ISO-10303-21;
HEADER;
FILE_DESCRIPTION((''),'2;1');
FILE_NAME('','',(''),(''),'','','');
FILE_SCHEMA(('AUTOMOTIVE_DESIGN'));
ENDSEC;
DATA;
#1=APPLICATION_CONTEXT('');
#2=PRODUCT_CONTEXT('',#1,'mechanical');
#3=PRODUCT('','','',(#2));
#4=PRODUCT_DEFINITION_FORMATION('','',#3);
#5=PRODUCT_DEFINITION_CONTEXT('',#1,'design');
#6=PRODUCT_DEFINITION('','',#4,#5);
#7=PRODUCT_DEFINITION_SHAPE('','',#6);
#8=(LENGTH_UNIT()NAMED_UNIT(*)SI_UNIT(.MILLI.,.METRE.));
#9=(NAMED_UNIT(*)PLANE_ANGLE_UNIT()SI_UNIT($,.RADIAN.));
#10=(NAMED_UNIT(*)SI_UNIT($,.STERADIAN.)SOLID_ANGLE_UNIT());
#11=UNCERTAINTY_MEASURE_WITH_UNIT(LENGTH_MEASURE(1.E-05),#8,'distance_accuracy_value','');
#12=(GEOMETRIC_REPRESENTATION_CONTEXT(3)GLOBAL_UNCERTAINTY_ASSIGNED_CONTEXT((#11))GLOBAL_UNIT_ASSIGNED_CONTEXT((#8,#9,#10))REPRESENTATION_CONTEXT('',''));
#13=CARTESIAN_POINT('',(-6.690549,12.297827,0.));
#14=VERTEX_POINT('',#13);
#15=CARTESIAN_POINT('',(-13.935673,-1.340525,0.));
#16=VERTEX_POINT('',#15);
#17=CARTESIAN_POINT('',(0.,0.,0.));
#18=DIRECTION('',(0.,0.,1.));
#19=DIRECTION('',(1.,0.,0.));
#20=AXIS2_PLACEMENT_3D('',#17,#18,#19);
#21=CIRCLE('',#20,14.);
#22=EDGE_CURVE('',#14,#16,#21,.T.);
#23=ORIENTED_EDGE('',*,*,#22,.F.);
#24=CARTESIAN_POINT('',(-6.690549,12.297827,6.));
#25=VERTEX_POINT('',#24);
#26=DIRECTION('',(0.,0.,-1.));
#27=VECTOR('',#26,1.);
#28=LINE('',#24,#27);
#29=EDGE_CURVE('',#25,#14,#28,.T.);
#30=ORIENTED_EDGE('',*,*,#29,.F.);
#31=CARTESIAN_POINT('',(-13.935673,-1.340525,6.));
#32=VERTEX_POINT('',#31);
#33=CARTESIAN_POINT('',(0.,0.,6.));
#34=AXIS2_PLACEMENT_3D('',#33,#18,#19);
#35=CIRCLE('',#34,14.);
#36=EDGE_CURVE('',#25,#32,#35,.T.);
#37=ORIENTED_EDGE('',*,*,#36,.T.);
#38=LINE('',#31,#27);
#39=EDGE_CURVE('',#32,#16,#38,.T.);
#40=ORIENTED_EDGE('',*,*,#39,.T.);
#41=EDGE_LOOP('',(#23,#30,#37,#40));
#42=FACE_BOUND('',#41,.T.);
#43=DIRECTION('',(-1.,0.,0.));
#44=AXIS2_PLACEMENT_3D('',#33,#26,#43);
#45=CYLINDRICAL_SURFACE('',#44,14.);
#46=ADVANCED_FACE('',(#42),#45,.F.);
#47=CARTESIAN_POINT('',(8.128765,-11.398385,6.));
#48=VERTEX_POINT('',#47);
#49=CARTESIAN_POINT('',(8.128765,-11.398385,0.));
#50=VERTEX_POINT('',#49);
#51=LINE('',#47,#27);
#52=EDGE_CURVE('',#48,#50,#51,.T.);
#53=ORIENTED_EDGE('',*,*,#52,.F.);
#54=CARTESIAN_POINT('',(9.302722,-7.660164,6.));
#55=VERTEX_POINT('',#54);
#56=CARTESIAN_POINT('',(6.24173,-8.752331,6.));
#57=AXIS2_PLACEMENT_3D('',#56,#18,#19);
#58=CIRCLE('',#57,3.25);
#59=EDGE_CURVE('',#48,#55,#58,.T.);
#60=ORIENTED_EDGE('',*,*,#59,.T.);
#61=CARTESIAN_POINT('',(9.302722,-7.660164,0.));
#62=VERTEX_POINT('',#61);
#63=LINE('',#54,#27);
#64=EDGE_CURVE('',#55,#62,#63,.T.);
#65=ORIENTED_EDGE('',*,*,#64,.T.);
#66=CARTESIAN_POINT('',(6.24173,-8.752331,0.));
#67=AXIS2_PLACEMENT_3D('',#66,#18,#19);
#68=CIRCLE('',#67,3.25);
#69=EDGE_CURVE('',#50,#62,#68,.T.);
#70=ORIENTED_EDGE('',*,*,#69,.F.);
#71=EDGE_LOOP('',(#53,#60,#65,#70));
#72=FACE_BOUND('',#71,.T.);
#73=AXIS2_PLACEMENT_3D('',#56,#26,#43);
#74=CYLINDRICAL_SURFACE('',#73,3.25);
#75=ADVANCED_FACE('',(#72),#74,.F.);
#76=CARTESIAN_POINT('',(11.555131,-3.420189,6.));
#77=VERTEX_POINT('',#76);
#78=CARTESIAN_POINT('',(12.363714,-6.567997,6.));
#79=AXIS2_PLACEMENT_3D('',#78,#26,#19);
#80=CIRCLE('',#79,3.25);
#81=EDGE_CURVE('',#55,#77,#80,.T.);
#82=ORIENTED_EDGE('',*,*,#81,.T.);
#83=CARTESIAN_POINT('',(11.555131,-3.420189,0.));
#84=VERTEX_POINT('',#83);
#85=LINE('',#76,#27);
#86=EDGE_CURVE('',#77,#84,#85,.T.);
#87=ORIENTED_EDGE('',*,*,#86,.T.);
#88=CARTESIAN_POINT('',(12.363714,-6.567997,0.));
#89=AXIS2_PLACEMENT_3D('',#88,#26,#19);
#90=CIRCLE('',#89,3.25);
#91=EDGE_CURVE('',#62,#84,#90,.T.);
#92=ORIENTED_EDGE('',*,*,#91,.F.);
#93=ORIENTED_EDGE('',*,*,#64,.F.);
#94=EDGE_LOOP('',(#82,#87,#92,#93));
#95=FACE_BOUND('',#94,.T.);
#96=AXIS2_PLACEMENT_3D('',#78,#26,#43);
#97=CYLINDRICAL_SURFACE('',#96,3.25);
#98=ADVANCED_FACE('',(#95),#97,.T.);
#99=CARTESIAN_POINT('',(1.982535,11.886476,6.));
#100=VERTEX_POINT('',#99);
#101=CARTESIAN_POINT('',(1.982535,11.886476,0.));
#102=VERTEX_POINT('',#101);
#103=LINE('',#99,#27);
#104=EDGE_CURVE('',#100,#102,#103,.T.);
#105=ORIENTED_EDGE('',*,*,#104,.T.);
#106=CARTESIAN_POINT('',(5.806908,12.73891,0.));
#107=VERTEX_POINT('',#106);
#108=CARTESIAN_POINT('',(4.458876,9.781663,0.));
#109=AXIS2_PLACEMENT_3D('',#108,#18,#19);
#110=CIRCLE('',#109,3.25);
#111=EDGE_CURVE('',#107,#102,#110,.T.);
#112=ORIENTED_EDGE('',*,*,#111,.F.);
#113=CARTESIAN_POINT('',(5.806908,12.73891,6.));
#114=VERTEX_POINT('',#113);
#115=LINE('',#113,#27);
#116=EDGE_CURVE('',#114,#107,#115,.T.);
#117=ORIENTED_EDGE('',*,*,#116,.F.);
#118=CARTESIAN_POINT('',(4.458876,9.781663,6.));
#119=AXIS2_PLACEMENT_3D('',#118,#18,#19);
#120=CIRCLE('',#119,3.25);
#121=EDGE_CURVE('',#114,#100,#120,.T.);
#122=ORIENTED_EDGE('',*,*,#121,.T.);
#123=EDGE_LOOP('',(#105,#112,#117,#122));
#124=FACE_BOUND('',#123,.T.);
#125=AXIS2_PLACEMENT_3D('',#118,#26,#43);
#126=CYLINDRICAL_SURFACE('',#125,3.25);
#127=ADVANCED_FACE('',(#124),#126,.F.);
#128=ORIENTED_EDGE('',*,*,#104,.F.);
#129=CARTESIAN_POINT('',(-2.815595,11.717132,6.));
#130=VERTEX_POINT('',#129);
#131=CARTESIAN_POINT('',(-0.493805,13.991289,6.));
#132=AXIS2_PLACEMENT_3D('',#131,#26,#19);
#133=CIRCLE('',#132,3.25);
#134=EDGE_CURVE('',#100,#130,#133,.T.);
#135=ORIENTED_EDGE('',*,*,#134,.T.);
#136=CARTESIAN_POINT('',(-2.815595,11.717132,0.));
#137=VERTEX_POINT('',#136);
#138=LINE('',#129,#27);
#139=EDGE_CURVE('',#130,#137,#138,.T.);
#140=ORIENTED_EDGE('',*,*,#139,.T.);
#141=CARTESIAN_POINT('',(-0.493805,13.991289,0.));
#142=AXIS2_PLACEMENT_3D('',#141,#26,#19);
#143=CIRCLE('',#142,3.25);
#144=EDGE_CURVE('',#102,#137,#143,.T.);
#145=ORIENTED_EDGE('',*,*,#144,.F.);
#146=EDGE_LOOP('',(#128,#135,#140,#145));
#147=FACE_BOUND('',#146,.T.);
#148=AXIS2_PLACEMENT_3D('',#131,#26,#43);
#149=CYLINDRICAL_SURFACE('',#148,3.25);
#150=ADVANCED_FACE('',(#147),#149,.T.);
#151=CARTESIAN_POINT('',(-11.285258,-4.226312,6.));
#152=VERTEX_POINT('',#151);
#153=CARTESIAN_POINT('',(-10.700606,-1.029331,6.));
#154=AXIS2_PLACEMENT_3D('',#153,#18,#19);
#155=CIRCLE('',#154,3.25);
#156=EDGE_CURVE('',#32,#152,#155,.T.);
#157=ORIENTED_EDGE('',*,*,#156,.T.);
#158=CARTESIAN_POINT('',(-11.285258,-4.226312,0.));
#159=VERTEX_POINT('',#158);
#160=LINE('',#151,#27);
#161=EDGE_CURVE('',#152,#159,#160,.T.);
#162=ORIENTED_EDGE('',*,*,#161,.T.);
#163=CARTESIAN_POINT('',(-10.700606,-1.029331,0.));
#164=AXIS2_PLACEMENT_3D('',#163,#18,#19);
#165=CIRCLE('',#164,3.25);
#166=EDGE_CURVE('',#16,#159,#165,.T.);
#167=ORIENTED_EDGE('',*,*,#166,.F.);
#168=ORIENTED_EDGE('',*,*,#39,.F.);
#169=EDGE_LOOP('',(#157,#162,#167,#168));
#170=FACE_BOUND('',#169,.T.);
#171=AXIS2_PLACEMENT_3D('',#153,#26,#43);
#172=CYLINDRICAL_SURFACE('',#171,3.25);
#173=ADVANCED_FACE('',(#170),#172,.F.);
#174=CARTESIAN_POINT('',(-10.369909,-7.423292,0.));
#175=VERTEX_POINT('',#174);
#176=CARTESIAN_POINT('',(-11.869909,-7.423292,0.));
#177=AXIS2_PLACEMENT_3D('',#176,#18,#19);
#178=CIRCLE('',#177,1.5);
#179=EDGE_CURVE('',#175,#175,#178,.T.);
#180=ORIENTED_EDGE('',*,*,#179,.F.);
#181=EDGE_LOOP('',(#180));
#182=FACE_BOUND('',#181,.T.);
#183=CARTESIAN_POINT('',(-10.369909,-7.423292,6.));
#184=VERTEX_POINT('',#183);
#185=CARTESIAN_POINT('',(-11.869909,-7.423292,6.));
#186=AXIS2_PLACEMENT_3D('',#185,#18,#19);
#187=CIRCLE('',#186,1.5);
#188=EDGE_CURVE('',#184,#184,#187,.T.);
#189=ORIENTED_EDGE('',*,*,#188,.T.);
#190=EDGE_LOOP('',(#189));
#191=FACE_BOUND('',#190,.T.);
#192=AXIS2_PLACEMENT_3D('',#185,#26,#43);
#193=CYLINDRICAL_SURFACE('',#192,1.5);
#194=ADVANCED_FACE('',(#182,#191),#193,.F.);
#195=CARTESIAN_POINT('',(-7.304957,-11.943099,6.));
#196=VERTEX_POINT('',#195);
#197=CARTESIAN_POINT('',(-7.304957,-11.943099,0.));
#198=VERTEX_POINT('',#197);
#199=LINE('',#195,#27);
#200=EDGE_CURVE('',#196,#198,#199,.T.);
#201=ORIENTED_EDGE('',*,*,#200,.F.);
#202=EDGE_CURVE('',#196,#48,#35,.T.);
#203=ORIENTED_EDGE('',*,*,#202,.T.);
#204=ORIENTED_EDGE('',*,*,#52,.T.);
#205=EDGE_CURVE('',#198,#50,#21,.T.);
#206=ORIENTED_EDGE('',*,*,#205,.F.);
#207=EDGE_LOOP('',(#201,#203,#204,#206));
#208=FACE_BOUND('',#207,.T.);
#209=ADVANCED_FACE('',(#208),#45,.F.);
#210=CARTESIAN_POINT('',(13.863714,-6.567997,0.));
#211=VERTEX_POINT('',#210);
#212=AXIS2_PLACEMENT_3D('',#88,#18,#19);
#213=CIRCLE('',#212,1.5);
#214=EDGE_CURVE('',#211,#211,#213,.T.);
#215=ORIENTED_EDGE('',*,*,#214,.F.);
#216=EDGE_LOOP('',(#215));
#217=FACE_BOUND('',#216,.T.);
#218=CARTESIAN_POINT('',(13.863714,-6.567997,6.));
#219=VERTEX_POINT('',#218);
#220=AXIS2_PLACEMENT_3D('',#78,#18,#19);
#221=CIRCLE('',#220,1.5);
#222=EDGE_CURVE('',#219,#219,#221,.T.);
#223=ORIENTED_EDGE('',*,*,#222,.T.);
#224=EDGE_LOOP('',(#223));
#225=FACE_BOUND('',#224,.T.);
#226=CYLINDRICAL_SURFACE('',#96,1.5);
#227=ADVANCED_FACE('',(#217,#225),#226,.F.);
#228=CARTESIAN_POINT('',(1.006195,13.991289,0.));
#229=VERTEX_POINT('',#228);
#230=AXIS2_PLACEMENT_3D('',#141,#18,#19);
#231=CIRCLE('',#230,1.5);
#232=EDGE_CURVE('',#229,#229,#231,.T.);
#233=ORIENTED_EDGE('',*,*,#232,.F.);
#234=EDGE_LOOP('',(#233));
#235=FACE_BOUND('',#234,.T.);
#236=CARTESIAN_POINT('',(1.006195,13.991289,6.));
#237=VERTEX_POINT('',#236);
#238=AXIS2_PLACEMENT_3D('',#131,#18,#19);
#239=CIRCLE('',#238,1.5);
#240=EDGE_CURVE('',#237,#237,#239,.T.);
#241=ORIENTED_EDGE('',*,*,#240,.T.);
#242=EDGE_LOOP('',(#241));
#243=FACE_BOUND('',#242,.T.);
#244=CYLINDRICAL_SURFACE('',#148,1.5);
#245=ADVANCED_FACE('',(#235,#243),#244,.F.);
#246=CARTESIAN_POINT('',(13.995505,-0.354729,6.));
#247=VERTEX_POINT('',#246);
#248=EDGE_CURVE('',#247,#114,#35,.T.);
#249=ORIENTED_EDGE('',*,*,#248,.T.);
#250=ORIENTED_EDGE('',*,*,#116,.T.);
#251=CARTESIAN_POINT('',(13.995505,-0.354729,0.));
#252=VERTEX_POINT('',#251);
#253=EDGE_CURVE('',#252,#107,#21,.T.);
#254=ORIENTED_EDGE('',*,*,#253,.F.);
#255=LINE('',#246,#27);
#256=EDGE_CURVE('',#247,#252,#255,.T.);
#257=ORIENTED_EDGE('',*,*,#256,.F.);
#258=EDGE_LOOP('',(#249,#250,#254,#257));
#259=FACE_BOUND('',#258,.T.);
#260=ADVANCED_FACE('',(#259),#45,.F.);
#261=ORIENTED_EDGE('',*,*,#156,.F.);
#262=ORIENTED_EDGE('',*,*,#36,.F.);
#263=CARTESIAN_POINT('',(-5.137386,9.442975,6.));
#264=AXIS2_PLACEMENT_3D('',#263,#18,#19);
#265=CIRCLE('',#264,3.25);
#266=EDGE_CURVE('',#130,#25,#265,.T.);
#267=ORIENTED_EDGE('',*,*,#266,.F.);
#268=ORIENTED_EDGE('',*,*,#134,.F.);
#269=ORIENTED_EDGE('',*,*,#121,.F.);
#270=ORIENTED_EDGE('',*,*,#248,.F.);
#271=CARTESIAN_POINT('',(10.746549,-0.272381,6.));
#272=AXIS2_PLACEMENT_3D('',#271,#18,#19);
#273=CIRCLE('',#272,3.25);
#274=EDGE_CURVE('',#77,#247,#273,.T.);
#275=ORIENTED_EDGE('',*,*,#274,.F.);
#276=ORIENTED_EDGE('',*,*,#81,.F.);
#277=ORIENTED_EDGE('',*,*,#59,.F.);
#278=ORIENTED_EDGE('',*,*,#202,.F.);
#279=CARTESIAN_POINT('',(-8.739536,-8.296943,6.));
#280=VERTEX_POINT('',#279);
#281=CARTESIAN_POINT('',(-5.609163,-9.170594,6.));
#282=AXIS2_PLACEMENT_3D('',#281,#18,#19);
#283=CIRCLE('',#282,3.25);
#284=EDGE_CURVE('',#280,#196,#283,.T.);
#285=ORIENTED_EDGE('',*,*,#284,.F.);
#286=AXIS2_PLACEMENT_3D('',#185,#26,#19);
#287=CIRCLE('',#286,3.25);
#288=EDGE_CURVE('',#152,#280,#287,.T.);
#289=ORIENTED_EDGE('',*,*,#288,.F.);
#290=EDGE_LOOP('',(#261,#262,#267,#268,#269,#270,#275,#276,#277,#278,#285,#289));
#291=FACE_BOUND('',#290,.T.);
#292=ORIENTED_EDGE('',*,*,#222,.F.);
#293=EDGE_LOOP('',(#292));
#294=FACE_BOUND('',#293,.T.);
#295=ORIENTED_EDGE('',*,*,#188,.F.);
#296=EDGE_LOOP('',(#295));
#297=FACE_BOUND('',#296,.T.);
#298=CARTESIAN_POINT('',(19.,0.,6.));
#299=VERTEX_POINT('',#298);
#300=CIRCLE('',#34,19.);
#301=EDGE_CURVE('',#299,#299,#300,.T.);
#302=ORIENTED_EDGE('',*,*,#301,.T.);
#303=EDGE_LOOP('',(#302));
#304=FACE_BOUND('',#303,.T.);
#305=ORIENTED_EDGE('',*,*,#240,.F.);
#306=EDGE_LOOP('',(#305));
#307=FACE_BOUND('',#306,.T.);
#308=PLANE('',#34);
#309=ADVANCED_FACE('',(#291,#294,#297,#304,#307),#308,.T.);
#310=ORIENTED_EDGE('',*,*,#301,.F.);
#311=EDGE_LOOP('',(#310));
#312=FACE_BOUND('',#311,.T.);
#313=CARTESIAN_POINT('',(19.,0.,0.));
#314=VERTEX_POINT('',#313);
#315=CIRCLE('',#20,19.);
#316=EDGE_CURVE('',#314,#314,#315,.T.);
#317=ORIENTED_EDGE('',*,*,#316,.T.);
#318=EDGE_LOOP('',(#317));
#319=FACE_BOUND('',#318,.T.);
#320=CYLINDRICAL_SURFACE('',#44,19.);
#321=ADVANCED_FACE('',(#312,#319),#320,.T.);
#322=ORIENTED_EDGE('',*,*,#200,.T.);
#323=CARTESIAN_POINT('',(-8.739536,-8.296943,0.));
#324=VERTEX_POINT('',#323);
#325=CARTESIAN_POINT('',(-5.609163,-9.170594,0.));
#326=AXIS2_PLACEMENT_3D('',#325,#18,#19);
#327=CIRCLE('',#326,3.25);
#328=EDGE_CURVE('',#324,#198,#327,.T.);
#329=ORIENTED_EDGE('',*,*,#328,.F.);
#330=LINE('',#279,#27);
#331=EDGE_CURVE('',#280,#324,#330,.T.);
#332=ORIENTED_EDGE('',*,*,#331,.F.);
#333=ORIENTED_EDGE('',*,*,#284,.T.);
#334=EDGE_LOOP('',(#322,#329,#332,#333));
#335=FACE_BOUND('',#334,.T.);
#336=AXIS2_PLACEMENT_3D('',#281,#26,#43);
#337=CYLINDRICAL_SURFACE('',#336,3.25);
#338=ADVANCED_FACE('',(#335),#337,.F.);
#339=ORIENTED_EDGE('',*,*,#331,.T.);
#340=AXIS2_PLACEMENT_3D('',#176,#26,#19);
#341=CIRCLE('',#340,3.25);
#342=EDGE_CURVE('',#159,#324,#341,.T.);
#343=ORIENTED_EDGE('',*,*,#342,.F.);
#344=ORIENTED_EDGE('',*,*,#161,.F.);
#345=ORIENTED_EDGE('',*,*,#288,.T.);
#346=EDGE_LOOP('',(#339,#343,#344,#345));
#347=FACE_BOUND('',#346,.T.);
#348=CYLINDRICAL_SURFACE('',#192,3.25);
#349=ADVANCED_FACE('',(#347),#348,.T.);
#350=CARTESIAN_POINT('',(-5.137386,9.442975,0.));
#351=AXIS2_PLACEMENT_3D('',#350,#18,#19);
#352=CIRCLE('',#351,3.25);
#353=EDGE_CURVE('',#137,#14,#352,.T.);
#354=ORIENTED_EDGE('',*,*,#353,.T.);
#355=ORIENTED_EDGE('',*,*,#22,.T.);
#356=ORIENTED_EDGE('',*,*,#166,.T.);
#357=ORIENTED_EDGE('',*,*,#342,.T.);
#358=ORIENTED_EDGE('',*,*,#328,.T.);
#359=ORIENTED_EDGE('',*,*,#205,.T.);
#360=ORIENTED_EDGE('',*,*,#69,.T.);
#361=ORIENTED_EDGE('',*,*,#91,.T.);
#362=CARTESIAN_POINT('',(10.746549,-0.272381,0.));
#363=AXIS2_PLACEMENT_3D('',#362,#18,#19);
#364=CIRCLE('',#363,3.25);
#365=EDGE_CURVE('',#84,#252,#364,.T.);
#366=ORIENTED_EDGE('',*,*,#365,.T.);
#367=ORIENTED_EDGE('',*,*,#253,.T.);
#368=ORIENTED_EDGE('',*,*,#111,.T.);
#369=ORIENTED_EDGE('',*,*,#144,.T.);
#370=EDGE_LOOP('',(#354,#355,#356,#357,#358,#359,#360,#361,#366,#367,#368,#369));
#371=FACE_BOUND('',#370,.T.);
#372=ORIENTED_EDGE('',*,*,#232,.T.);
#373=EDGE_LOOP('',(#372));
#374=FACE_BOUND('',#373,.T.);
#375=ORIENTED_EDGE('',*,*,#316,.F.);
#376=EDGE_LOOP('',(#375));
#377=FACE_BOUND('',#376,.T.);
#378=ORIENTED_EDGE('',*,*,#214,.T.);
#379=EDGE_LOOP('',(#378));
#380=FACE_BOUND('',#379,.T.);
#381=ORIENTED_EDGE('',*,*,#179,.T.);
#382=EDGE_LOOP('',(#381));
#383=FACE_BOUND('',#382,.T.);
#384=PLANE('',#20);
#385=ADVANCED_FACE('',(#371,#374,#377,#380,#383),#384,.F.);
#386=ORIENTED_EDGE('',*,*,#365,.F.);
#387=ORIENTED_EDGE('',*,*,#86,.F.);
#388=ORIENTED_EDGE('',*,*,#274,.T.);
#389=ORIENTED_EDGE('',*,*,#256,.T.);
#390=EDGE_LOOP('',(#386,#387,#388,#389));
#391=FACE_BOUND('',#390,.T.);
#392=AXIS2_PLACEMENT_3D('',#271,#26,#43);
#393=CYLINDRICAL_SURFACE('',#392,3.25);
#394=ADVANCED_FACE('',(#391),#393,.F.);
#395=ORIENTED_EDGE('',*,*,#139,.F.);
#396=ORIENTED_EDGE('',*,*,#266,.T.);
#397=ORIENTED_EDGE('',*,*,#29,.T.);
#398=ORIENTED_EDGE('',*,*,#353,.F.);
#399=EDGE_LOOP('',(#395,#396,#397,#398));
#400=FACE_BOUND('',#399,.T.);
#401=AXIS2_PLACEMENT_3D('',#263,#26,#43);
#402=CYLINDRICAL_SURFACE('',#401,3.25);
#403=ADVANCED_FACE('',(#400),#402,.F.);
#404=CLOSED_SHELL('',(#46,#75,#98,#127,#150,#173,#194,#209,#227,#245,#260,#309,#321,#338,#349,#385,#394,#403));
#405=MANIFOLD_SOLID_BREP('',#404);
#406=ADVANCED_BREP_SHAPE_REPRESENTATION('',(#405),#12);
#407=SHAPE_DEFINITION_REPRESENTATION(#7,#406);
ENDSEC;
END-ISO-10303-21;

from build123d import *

# Parameters (mm, degrees)
ESQUISSE1_R        = 19
ESQUISSE1_R_2      = 1.5
BOSS_EXTRU_2_DEPTH = 6


with BuildPart() as part:
    # Esquisse1 → Boss.-Extru.2 (new body)
    with BuildSketch(Plane.XY):
        Circle(ESQUISSE1_R)
        with Locations((-0.493805045, 13.991288596)):
            Circle(ESQUISSE1_R_2, mode=Mode.SUBTRACT)
        with Locations((12.363713879, -6.567996584)):
            Circle(ESQUISSE1_R_2, mode=Mode.SUBTRACT)
        with Locations((-11.869908833, -7.423292012)):
            Circle(ESQUISSE1_R_2, mode=Mode.SUBTRACT)
        with BuildLine():
            ThreePointArc((-2.815595301, 11.717131607), (-0.379171731, 10.743310886), (1.982535482, 11.886475637))
            ThreePointArc((1.982535482, 11.886475637), (3.751818189, 12.953817976), (5.806908291, 12.738909534))
            ThreePointArc((5.806908291, 12.738909534), (11.869908833, 7.423292012), (13.995505264, -0.354728625))
            ThreePointArc((13.995505264, -0.354728625), (13.289218046, -2.296567787), (11.555131282, -3.420188746))
            ThreePointArc((11.555131282, -3.420188746), (9.493566014, -5.043283091), (9.302722122, -7.66016391))
            ThreePointArc((9.302722122, -7.66016391), (9.342426349, -9.72607885), (8.128765127, -11.398384864))
            ThreePointArc((8.128765127, -11.398384864), (0.493805045, -13.991288596), (-7.304956633, -11.943098785))
            ThreePointArc((-7.304956633, -11.943098785), (-8.633495068, -10.360516531), (-8.739535981, -8.296942861))
            ThreePointArc((-8.739535981, -8.296942861), (-9.114394283, -5.700027795), (-11.285257604, -4.226311727))
            ThreePointArc((-11.285257604, -4.226311727), (-13.094244538, -3.227739126), (-13.935673418, -1.34052467))
            ThreePointArc((-13.935673418, -1.34052467), (-12.363713879, 6.567996584), (-6.690548632, 12.29782741))
            ThreePointArc((-6.690548632, 12.29782741), (-4.655722978, 12.657084318), (-2.815595301, 11.717131607))
        make_face(mode=Mode.SUBTRACT)
    extrude(amount=BOSS_EXTRU_2_DEPTH)


solid = part.part
